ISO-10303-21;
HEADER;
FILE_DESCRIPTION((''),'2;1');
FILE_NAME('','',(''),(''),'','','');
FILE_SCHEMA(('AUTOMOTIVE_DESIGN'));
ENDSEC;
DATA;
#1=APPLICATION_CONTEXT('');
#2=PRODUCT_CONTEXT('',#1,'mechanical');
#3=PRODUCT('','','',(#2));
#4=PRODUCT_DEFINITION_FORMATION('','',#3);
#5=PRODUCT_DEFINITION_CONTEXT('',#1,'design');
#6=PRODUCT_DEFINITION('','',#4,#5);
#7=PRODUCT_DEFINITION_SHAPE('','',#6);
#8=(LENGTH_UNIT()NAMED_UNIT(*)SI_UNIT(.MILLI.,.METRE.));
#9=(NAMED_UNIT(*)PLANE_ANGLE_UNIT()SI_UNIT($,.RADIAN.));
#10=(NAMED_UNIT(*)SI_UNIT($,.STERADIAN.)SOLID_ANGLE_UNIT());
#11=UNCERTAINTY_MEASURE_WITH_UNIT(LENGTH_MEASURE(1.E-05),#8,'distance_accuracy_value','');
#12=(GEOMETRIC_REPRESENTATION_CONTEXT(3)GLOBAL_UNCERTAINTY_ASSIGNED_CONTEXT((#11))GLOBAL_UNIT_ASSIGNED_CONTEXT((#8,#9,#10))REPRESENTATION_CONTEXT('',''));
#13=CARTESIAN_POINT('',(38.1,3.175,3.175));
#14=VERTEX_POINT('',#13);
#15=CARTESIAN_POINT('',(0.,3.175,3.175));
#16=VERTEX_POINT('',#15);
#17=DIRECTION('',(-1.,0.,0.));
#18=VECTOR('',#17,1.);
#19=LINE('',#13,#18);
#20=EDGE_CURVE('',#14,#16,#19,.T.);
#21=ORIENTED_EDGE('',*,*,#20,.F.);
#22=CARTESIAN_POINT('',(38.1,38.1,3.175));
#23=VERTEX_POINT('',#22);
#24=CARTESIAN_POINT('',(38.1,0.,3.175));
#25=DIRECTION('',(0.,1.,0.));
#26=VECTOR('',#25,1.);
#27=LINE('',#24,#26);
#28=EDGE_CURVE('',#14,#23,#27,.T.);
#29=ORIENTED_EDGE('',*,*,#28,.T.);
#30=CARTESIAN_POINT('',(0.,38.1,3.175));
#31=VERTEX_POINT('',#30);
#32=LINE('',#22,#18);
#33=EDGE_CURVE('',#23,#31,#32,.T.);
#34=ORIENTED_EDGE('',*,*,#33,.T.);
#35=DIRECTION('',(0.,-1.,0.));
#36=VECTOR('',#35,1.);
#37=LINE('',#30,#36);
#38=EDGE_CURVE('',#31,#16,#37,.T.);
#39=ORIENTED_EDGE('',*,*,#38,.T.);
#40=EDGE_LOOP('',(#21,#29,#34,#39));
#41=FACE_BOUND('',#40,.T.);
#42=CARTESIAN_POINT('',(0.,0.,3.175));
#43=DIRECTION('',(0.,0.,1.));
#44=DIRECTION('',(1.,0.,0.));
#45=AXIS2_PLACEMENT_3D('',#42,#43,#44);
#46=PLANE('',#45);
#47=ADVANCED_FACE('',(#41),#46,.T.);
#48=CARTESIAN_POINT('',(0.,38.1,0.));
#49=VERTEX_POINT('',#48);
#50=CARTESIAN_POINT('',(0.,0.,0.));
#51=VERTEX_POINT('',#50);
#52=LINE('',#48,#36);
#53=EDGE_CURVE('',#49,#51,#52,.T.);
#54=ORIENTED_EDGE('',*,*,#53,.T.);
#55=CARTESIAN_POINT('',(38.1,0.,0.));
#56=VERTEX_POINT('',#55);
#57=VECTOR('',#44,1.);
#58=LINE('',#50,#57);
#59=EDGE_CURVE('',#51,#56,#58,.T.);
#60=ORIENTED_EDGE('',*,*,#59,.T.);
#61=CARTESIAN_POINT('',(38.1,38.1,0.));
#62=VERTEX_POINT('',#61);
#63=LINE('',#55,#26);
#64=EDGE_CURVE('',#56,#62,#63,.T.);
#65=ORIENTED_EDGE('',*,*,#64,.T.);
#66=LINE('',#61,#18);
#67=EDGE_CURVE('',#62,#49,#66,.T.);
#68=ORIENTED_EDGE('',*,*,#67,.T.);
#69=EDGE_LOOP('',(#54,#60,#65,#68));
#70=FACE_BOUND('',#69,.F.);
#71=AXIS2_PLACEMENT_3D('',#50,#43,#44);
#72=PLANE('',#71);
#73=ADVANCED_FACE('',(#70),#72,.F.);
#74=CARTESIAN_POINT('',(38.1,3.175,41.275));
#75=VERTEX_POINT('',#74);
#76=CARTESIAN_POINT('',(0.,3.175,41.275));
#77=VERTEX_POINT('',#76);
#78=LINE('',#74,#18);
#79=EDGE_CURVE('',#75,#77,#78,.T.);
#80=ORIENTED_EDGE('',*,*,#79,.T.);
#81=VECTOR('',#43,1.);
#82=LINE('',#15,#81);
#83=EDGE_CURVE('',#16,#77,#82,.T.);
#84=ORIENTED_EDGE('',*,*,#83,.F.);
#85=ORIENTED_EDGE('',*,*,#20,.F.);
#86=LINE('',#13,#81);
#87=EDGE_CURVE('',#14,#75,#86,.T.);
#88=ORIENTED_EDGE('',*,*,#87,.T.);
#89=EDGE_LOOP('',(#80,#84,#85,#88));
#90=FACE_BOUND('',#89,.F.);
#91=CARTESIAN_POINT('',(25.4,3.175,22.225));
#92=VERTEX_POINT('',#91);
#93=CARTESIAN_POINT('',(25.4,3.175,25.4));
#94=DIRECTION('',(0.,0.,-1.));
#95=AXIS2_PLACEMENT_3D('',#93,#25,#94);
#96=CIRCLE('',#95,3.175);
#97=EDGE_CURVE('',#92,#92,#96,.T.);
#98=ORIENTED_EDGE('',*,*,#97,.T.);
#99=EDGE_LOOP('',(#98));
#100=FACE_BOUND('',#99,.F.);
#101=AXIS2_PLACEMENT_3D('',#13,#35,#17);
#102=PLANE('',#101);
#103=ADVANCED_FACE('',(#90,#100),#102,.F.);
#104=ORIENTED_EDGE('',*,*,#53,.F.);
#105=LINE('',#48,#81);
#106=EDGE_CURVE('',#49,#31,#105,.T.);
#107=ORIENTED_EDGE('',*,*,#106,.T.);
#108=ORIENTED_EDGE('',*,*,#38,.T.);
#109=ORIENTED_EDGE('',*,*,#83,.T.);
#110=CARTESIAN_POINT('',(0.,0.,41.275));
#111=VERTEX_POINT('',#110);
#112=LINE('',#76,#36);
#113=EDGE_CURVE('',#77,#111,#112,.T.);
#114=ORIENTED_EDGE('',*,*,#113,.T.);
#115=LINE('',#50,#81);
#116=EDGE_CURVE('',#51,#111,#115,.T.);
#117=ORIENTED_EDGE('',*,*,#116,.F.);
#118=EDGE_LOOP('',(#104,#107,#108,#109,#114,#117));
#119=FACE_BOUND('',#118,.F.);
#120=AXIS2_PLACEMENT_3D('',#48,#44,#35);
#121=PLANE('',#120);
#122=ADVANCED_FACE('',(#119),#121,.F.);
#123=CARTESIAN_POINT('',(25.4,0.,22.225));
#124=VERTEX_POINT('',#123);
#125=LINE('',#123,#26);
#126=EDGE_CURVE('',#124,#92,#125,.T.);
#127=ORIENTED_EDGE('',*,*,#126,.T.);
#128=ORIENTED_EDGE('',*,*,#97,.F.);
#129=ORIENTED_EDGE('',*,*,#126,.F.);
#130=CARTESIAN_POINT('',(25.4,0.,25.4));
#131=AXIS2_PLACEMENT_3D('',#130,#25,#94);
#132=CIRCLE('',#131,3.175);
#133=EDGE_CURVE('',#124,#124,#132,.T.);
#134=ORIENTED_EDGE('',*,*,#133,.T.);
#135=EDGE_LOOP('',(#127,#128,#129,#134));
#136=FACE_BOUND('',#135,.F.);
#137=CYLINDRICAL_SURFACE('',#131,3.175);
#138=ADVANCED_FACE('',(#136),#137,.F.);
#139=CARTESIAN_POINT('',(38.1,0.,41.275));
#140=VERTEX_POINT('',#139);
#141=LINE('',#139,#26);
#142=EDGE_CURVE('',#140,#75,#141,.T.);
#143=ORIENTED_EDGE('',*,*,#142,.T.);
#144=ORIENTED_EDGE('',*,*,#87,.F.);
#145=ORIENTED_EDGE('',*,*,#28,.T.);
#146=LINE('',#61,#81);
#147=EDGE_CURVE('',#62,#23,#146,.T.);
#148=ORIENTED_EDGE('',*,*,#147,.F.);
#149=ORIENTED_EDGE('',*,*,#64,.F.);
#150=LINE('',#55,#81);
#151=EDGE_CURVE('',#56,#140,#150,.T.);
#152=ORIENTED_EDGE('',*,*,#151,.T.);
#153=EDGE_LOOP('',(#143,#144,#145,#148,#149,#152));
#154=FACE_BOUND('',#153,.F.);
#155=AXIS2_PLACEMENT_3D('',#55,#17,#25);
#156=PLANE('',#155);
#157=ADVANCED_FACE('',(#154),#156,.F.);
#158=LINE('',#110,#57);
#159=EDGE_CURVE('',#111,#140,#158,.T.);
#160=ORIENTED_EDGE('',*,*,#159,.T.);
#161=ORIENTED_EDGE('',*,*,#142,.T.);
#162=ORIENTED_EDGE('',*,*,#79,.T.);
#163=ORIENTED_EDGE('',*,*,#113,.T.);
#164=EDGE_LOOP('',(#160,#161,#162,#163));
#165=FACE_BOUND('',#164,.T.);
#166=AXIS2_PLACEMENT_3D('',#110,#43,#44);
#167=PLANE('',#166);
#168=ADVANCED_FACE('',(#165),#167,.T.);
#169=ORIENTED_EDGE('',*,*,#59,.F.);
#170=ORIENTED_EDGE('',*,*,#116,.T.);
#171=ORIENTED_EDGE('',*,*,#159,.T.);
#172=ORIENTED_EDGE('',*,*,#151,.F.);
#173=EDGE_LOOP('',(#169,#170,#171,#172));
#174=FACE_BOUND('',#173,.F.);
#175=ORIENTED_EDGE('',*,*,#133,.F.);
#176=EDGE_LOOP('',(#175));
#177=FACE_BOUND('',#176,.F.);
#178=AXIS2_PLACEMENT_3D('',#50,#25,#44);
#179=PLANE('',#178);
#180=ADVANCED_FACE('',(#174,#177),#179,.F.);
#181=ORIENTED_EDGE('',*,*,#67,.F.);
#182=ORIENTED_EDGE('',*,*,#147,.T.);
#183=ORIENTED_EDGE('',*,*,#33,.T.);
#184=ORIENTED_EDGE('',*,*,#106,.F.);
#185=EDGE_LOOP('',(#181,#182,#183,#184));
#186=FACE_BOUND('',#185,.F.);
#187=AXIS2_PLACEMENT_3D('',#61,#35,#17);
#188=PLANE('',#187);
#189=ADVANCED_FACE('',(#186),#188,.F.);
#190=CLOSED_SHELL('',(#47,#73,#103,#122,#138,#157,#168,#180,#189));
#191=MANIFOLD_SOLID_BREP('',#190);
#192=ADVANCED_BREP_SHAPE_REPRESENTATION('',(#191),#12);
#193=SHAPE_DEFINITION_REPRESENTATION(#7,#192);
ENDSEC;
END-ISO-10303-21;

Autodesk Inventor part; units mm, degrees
ref_plane "YZ Plane" through (0, 0, 0) normal (1, 0, 0) x (0, 1, 0)
ref_plane "XZ Plane" through (0, 0, 0) normal (0, 1, 0) x (-1, 0, 0)
ref_plane "XY Plane" through (0, 0, 0) normal (0, 0, 1) x (1, 0, 0)
sketch "Sketch1" plane through (0, 0, 0) normal (0, 0, 1) x (1, 0, 0)
  line L0 (0, 0) -> (38.1, 0)
  line L1 (38.1, 0) -> (38.1, 38.1)
  line L2 (38.1, 38.1) -> (0, 38.1)
  line L3 (0, 38.1) -> (0, 0)
  dimension "d0" = 38.1
  dimension "d1" = 38.1
extrude "Extrusion1" add sketch "Sketch1" along normal blind 3.175
sketch "Sketch2" plane through (0, 0, 3.175) normal (0, 0, 1) x (1, 0, 0)
  line L0 (0, 0) -> (38.1, 0) projected
  line L1 (38.1, 0) -> (38.1, 38.1) projected
  line L2 (0, 0) -> (38.1, 0)
  line L3 (38.1, 0) -> (38.1, 3.175)
  line L4 (38.1, 3.175) -> (0, 3.175)
  line L5 (0, 3.175) -> (0, 0)
  dimension "d4" = 3.175
extrude "Extrusion2" add sketch "Sketch2" along normal blind 38.1
sketch "Sketch3" plane through (0, 0, 0) normal (0, -1, 0) x (1, 0, 0)
  line L0 (0, 0) -> (38.1, 0) projected
  line L1 (0, 0) -> (0, 41.275) projected
  point P0 (25.4, 25.4)
  dimension "d7" = 25.4
  dimension "d8" = 25.4
hole "Hole1" at (25.4, 0, 25.4) direction (0, 1, 0) diameter 6.35 end through all
properties part number "CLB_064_ScissorOutsideLBraket"
